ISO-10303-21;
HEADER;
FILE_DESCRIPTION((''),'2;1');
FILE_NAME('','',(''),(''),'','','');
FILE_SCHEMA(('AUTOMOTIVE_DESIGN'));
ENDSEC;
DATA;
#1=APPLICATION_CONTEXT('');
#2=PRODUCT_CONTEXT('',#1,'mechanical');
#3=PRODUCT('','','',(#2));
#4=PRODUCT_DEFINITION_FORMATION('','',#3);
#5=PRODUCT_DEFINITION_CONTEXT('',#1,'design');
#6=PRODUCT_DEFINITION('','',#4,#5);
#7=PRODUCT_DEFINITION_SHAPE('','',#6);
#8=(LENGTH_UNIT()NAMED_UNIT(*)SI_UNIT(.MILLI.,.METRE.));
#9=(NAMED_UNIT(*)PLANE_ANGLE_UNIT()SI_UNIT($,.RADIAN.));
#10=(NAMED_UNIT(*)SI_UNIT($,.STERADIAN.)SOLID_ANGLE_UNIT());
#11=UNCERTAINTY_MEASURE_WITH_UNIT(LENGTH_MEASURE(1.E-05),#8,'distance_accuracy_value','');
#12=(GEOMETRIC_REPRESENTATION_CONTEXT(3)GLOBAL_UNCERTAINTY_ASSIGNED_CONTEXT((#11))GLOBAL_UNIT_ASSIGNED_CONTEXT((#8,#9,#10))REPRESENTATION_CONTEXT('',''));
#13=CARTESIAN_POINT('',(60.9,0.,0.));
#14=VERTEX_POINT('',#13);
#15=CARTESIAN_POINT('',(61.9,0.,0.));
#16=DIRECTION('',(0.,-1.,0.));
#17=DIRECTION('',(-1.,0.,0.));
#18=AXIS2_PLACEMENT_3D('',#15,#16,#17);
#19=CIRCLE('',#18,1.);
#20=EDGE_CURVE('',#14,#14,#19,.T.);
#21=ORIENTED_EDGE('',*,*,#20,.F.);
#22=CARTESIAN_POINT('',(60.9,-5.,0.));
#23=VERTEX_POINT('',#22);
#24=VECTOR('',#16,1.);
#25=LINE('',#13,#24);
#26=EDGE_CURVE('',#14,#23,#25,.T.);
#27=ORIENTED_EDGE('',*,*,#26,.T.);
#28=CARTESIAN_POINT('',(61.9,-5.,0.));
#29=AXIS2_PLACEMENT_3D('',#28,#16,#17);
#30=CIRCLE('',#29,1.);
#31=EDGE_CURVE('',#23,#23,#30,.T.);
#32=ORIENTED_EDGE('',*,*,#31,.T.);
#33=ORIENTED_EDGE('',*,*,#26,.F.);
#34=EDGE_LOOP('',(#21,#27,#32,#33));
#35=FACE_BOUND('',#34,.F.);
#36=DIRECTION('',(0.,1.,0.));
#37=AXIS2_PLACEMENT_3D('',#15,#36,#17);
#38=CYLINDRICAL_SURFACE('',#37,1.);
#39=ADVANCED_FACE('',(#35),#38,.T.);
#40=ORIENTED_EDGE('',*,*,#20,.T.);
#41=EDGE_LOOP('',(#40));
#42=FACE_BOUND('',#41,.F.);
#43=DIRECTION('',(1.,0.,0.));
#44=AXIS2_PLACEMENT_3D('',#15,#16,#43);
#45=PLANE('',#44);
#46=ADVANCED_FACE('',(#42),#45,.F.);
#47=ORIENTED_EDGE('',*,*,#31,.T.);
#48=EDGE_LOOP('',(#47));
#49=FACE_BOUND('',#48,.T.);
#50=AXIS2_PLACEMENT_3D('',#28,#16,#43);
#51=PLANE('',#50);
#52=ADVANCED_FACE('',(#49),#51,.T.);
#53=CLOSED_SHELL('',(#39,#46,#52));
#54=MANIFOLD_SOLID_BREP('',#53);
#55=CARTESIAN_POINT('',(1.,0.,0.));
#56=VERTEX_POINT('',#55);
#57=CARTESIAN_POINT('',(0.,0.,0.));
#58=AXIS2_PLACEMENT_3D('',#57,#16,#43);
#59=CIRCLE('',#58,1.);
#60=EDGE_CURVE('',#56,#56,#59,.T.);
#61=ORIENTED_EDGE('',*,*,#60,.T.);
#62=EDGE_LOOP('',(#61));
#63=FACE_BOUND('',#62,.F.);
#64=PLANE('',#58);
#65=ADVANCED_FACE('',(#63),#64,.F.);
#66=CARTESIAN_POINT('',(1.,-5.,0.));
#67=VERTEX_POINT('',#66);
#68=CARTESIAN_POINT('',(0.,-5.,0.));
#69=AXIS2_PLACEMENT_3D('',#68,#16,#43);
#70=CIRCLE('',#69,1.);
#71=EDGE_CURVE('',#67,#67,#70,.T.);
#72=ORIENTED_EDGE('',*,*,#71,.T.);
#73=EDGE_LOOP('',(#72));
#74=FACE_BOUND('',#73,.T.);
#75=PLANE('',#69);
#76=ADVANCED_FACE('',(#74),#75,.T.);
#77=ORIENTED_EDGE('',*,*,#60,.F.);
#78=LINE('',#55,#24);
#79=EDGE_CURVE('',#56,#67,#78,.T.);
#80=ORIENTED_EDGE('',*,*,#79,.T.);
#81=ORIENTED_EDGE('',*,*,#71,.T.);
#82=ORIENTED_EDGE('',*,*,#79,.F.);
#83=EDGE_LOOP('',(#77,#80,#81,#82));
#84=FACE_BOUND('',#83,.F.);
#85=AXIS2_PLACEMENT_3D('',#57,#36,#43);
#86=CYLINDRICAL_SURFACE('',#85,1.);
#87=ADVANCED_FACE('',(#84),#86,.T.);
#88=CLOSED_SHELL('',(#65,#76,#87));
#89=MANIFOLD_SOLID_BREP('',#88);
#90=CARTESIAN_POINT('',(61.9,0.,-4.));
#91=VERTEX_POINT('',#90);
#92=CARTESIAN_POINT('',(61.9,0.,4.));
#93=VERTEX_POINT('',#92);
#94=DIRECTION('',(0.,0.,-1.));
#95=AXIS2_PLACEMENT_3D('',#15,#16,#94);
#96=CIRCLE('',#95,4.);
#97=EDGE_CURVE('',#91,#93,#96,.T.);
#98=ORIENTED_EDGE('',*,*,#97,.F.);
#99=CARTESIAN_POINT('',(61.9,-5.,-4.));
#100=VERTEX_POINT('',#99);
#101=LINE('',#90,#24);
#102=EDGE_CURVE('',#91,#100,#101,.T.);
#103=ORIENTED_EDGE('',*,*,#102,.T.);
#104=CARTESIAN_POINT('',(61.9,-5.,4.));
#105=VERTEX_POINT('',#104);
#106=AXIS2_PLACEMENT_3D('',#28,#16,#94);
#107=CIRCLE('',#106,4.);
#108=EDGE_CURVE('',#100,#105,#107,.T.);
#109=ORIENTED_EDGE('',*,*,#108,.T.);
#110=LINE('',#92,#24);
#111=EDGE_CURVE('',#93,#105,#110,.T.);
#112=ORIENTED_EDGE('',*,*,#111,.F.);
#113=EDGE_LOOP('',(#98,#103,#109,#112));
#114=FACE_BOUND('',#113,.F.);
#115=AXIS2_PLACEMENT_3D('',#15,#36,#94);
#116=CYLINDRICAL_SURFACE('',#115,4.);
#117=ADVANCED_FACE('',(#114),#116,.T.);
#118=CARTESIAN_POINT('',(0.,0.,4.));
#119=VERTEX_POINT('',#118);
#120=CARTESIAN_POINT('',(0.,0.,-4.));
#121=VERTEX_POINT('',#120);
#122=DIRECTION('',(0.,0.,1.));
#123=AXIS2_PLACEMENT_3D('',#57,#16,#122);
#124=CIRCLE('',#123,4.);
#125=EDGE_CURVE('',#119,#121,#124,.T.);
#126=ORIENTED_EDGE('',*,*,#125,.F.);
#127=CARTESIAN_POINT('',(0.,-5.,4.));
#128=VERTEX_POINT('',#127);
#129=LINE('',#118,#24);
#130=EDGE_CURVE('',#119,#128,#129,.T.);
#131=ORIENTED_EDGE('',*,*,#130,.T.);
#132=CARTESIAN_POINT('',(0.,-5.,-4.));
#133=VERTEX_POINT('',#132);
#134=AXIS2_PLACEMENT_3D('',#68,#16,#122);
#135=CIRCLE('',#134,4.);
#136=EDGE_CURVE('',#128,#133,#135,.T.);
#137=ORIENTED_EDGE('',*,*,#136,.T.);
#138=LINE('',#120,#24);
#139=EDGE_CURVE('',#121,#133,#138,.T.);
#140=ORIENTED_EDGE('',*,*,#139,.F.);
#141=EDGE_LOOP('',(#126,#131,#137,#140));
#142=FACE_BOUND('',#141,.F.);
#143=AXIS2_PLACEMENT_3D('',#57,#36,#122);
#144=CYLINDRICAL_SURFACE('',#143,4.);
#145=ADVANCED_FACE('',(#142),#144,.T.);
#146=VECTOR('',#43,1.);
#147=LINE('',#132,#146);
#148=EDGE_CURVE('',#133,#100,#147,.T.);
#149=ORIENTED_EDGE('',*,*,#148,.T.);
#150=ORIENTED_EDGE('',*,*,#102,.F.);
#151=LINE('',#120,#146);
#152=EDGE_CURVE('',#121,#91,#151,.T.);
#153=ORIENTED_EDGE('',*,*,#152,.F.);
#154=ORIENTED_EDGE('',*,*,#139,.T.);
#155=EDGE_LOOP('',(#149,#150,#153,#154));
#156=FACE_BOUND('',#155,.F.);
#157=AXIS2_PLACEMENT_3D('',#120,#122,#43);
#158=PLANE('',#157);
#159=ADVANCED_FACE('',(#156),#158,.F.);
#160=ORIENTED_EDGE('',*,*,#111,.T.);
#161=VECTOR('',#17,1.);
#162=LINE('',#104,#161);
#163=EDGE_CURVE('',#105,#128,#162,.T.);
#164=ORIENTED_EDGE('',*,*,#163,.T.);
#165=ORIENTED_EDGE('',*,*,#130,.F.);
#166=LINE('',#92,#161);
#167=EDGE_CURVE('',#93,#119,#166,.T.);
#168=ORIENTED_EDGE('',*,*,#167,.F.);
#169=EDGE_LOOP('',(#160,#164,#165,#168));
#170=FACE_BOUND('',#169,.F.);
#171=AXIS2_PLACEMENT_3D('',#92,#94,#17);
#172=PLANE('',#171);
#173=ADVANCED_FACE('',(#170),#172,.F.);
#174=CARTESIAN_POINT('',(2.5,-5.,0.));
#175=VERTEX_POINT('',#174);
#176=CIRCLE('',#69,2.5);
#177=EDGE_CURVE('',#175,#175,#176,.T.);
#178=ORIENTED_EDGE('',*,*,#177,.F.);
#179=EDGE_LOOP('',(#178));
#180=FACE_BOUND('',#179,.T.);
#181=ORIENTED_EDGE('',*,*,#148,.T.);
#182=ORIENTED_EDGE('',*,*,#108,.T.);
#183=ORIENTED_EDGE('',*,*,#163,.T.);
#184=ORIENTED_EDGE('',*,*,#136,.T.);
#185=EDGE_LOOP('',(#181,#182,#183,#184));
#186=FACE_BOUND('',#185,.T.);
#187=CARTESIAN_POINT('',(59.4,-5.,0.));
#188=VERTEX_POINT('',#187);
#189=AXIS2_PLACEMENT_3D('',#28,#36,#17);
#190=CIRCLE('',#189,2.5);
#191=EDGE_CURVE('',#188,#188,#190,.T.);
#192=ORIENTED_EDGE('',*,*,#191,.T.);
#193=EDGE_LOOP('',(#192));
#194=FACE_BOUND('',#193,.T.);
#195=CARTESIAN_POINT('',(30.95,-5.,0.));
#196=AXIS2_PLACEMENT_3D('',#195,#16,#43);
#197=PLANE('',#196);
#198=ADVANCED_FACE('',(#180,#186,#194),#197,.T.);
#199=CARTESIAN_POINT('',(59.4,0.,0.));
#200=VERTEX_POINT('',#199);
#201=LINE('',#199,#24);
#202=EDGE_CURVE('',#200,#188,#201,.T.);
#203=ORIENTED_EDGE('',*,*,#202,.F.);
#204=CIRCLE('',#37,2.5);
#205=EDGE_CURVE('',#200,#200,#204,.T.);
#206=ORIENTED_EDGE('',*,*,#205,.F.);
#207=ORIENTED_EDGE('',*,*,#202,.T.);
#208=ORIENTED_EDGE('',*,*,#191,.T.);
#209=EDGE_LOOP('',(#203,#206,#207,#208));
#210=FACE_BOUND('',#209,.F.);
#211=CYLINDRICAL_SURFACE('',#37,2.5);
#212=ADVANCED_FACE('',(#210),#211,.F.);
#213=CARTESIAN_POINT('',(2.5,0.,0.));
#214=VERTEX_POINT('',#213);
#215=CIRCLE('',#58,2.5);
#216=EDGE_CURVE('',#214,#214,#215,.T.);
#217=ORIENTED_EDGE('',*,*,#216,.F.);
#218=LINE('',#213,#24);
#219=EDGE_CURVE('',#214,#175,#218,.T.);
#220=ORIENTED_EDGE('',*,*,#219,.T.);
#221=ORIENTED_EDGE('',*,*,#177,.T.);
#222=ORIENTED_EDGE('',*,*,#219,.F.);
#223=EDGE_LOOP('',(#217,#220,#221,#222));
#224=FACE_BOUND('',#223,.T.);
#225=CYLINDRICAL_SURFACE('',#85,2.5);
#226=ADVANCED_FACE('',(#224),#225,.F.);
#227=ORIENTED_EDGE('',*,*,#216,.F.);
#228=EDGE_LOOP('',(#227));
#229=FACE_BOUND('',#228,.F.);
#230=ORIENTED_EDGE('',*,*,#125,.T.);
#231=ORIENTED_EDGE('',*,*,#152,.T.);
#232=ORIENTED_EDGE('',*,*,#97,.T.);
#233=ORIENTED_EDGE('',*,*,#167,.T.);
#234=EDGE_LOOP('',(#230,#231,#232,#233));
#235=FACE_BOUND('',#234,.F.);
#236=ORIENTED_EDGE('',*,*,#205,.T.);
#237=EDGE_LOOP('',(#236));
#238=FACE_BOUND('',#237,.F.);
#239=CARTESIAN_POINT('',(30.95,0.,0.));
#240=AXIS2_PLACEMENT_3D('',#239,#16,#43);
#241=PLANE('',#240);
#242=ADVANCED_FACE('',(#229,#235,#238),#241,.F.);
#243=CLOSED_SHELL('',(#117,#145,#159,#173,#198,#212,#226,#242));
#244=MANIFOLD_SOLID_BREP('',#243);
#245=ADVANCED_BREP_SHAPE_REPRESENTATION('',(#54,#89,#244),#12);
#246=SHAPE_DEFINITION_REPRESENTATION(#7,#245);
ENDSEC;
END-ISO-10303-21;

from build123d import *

# Parameters (mm, degrees)
F0_R     = 2.5
F0_R_2   = 1
F1_DEPTH = 5


with BuildPart() as f1:
    # F0 (on Front) → F1 (new body)
    with BuildSketch(Plane.XZ):
        with BuildLine():
            Line((61.9, 4), (0, 4))
            ThreePointArc((0, 4), (-4, 0), (0, -4))
            Line((0, -4), (61.9, -4))
            ThreePointArc((61.9, -4), (65.9, 0), (61.9, 4))
        make_face()
        Circle(F0_R, mode=Mode.SUBTRACT)
        with BuildLine():
            ThreePointArc((64.4, 0), (61.9, -2.5), (59.4, 0))
            ThreePointArc((59.4, 0), (61.9, 2.5), (64.4, 0))
        make_face(mode=Mode.SUBTRACT)
        with BuildLine():
            ThreePointArc((62.9, 0), (61.9, 1), (60.9, 0))
            ThreePointArc((60.9, 0), (61.9, -1), (62.9, 0))
        make_face()
        Circle(F0_R_2)
    extrude(amount=F1_DEPTH)


solid = f1.part
